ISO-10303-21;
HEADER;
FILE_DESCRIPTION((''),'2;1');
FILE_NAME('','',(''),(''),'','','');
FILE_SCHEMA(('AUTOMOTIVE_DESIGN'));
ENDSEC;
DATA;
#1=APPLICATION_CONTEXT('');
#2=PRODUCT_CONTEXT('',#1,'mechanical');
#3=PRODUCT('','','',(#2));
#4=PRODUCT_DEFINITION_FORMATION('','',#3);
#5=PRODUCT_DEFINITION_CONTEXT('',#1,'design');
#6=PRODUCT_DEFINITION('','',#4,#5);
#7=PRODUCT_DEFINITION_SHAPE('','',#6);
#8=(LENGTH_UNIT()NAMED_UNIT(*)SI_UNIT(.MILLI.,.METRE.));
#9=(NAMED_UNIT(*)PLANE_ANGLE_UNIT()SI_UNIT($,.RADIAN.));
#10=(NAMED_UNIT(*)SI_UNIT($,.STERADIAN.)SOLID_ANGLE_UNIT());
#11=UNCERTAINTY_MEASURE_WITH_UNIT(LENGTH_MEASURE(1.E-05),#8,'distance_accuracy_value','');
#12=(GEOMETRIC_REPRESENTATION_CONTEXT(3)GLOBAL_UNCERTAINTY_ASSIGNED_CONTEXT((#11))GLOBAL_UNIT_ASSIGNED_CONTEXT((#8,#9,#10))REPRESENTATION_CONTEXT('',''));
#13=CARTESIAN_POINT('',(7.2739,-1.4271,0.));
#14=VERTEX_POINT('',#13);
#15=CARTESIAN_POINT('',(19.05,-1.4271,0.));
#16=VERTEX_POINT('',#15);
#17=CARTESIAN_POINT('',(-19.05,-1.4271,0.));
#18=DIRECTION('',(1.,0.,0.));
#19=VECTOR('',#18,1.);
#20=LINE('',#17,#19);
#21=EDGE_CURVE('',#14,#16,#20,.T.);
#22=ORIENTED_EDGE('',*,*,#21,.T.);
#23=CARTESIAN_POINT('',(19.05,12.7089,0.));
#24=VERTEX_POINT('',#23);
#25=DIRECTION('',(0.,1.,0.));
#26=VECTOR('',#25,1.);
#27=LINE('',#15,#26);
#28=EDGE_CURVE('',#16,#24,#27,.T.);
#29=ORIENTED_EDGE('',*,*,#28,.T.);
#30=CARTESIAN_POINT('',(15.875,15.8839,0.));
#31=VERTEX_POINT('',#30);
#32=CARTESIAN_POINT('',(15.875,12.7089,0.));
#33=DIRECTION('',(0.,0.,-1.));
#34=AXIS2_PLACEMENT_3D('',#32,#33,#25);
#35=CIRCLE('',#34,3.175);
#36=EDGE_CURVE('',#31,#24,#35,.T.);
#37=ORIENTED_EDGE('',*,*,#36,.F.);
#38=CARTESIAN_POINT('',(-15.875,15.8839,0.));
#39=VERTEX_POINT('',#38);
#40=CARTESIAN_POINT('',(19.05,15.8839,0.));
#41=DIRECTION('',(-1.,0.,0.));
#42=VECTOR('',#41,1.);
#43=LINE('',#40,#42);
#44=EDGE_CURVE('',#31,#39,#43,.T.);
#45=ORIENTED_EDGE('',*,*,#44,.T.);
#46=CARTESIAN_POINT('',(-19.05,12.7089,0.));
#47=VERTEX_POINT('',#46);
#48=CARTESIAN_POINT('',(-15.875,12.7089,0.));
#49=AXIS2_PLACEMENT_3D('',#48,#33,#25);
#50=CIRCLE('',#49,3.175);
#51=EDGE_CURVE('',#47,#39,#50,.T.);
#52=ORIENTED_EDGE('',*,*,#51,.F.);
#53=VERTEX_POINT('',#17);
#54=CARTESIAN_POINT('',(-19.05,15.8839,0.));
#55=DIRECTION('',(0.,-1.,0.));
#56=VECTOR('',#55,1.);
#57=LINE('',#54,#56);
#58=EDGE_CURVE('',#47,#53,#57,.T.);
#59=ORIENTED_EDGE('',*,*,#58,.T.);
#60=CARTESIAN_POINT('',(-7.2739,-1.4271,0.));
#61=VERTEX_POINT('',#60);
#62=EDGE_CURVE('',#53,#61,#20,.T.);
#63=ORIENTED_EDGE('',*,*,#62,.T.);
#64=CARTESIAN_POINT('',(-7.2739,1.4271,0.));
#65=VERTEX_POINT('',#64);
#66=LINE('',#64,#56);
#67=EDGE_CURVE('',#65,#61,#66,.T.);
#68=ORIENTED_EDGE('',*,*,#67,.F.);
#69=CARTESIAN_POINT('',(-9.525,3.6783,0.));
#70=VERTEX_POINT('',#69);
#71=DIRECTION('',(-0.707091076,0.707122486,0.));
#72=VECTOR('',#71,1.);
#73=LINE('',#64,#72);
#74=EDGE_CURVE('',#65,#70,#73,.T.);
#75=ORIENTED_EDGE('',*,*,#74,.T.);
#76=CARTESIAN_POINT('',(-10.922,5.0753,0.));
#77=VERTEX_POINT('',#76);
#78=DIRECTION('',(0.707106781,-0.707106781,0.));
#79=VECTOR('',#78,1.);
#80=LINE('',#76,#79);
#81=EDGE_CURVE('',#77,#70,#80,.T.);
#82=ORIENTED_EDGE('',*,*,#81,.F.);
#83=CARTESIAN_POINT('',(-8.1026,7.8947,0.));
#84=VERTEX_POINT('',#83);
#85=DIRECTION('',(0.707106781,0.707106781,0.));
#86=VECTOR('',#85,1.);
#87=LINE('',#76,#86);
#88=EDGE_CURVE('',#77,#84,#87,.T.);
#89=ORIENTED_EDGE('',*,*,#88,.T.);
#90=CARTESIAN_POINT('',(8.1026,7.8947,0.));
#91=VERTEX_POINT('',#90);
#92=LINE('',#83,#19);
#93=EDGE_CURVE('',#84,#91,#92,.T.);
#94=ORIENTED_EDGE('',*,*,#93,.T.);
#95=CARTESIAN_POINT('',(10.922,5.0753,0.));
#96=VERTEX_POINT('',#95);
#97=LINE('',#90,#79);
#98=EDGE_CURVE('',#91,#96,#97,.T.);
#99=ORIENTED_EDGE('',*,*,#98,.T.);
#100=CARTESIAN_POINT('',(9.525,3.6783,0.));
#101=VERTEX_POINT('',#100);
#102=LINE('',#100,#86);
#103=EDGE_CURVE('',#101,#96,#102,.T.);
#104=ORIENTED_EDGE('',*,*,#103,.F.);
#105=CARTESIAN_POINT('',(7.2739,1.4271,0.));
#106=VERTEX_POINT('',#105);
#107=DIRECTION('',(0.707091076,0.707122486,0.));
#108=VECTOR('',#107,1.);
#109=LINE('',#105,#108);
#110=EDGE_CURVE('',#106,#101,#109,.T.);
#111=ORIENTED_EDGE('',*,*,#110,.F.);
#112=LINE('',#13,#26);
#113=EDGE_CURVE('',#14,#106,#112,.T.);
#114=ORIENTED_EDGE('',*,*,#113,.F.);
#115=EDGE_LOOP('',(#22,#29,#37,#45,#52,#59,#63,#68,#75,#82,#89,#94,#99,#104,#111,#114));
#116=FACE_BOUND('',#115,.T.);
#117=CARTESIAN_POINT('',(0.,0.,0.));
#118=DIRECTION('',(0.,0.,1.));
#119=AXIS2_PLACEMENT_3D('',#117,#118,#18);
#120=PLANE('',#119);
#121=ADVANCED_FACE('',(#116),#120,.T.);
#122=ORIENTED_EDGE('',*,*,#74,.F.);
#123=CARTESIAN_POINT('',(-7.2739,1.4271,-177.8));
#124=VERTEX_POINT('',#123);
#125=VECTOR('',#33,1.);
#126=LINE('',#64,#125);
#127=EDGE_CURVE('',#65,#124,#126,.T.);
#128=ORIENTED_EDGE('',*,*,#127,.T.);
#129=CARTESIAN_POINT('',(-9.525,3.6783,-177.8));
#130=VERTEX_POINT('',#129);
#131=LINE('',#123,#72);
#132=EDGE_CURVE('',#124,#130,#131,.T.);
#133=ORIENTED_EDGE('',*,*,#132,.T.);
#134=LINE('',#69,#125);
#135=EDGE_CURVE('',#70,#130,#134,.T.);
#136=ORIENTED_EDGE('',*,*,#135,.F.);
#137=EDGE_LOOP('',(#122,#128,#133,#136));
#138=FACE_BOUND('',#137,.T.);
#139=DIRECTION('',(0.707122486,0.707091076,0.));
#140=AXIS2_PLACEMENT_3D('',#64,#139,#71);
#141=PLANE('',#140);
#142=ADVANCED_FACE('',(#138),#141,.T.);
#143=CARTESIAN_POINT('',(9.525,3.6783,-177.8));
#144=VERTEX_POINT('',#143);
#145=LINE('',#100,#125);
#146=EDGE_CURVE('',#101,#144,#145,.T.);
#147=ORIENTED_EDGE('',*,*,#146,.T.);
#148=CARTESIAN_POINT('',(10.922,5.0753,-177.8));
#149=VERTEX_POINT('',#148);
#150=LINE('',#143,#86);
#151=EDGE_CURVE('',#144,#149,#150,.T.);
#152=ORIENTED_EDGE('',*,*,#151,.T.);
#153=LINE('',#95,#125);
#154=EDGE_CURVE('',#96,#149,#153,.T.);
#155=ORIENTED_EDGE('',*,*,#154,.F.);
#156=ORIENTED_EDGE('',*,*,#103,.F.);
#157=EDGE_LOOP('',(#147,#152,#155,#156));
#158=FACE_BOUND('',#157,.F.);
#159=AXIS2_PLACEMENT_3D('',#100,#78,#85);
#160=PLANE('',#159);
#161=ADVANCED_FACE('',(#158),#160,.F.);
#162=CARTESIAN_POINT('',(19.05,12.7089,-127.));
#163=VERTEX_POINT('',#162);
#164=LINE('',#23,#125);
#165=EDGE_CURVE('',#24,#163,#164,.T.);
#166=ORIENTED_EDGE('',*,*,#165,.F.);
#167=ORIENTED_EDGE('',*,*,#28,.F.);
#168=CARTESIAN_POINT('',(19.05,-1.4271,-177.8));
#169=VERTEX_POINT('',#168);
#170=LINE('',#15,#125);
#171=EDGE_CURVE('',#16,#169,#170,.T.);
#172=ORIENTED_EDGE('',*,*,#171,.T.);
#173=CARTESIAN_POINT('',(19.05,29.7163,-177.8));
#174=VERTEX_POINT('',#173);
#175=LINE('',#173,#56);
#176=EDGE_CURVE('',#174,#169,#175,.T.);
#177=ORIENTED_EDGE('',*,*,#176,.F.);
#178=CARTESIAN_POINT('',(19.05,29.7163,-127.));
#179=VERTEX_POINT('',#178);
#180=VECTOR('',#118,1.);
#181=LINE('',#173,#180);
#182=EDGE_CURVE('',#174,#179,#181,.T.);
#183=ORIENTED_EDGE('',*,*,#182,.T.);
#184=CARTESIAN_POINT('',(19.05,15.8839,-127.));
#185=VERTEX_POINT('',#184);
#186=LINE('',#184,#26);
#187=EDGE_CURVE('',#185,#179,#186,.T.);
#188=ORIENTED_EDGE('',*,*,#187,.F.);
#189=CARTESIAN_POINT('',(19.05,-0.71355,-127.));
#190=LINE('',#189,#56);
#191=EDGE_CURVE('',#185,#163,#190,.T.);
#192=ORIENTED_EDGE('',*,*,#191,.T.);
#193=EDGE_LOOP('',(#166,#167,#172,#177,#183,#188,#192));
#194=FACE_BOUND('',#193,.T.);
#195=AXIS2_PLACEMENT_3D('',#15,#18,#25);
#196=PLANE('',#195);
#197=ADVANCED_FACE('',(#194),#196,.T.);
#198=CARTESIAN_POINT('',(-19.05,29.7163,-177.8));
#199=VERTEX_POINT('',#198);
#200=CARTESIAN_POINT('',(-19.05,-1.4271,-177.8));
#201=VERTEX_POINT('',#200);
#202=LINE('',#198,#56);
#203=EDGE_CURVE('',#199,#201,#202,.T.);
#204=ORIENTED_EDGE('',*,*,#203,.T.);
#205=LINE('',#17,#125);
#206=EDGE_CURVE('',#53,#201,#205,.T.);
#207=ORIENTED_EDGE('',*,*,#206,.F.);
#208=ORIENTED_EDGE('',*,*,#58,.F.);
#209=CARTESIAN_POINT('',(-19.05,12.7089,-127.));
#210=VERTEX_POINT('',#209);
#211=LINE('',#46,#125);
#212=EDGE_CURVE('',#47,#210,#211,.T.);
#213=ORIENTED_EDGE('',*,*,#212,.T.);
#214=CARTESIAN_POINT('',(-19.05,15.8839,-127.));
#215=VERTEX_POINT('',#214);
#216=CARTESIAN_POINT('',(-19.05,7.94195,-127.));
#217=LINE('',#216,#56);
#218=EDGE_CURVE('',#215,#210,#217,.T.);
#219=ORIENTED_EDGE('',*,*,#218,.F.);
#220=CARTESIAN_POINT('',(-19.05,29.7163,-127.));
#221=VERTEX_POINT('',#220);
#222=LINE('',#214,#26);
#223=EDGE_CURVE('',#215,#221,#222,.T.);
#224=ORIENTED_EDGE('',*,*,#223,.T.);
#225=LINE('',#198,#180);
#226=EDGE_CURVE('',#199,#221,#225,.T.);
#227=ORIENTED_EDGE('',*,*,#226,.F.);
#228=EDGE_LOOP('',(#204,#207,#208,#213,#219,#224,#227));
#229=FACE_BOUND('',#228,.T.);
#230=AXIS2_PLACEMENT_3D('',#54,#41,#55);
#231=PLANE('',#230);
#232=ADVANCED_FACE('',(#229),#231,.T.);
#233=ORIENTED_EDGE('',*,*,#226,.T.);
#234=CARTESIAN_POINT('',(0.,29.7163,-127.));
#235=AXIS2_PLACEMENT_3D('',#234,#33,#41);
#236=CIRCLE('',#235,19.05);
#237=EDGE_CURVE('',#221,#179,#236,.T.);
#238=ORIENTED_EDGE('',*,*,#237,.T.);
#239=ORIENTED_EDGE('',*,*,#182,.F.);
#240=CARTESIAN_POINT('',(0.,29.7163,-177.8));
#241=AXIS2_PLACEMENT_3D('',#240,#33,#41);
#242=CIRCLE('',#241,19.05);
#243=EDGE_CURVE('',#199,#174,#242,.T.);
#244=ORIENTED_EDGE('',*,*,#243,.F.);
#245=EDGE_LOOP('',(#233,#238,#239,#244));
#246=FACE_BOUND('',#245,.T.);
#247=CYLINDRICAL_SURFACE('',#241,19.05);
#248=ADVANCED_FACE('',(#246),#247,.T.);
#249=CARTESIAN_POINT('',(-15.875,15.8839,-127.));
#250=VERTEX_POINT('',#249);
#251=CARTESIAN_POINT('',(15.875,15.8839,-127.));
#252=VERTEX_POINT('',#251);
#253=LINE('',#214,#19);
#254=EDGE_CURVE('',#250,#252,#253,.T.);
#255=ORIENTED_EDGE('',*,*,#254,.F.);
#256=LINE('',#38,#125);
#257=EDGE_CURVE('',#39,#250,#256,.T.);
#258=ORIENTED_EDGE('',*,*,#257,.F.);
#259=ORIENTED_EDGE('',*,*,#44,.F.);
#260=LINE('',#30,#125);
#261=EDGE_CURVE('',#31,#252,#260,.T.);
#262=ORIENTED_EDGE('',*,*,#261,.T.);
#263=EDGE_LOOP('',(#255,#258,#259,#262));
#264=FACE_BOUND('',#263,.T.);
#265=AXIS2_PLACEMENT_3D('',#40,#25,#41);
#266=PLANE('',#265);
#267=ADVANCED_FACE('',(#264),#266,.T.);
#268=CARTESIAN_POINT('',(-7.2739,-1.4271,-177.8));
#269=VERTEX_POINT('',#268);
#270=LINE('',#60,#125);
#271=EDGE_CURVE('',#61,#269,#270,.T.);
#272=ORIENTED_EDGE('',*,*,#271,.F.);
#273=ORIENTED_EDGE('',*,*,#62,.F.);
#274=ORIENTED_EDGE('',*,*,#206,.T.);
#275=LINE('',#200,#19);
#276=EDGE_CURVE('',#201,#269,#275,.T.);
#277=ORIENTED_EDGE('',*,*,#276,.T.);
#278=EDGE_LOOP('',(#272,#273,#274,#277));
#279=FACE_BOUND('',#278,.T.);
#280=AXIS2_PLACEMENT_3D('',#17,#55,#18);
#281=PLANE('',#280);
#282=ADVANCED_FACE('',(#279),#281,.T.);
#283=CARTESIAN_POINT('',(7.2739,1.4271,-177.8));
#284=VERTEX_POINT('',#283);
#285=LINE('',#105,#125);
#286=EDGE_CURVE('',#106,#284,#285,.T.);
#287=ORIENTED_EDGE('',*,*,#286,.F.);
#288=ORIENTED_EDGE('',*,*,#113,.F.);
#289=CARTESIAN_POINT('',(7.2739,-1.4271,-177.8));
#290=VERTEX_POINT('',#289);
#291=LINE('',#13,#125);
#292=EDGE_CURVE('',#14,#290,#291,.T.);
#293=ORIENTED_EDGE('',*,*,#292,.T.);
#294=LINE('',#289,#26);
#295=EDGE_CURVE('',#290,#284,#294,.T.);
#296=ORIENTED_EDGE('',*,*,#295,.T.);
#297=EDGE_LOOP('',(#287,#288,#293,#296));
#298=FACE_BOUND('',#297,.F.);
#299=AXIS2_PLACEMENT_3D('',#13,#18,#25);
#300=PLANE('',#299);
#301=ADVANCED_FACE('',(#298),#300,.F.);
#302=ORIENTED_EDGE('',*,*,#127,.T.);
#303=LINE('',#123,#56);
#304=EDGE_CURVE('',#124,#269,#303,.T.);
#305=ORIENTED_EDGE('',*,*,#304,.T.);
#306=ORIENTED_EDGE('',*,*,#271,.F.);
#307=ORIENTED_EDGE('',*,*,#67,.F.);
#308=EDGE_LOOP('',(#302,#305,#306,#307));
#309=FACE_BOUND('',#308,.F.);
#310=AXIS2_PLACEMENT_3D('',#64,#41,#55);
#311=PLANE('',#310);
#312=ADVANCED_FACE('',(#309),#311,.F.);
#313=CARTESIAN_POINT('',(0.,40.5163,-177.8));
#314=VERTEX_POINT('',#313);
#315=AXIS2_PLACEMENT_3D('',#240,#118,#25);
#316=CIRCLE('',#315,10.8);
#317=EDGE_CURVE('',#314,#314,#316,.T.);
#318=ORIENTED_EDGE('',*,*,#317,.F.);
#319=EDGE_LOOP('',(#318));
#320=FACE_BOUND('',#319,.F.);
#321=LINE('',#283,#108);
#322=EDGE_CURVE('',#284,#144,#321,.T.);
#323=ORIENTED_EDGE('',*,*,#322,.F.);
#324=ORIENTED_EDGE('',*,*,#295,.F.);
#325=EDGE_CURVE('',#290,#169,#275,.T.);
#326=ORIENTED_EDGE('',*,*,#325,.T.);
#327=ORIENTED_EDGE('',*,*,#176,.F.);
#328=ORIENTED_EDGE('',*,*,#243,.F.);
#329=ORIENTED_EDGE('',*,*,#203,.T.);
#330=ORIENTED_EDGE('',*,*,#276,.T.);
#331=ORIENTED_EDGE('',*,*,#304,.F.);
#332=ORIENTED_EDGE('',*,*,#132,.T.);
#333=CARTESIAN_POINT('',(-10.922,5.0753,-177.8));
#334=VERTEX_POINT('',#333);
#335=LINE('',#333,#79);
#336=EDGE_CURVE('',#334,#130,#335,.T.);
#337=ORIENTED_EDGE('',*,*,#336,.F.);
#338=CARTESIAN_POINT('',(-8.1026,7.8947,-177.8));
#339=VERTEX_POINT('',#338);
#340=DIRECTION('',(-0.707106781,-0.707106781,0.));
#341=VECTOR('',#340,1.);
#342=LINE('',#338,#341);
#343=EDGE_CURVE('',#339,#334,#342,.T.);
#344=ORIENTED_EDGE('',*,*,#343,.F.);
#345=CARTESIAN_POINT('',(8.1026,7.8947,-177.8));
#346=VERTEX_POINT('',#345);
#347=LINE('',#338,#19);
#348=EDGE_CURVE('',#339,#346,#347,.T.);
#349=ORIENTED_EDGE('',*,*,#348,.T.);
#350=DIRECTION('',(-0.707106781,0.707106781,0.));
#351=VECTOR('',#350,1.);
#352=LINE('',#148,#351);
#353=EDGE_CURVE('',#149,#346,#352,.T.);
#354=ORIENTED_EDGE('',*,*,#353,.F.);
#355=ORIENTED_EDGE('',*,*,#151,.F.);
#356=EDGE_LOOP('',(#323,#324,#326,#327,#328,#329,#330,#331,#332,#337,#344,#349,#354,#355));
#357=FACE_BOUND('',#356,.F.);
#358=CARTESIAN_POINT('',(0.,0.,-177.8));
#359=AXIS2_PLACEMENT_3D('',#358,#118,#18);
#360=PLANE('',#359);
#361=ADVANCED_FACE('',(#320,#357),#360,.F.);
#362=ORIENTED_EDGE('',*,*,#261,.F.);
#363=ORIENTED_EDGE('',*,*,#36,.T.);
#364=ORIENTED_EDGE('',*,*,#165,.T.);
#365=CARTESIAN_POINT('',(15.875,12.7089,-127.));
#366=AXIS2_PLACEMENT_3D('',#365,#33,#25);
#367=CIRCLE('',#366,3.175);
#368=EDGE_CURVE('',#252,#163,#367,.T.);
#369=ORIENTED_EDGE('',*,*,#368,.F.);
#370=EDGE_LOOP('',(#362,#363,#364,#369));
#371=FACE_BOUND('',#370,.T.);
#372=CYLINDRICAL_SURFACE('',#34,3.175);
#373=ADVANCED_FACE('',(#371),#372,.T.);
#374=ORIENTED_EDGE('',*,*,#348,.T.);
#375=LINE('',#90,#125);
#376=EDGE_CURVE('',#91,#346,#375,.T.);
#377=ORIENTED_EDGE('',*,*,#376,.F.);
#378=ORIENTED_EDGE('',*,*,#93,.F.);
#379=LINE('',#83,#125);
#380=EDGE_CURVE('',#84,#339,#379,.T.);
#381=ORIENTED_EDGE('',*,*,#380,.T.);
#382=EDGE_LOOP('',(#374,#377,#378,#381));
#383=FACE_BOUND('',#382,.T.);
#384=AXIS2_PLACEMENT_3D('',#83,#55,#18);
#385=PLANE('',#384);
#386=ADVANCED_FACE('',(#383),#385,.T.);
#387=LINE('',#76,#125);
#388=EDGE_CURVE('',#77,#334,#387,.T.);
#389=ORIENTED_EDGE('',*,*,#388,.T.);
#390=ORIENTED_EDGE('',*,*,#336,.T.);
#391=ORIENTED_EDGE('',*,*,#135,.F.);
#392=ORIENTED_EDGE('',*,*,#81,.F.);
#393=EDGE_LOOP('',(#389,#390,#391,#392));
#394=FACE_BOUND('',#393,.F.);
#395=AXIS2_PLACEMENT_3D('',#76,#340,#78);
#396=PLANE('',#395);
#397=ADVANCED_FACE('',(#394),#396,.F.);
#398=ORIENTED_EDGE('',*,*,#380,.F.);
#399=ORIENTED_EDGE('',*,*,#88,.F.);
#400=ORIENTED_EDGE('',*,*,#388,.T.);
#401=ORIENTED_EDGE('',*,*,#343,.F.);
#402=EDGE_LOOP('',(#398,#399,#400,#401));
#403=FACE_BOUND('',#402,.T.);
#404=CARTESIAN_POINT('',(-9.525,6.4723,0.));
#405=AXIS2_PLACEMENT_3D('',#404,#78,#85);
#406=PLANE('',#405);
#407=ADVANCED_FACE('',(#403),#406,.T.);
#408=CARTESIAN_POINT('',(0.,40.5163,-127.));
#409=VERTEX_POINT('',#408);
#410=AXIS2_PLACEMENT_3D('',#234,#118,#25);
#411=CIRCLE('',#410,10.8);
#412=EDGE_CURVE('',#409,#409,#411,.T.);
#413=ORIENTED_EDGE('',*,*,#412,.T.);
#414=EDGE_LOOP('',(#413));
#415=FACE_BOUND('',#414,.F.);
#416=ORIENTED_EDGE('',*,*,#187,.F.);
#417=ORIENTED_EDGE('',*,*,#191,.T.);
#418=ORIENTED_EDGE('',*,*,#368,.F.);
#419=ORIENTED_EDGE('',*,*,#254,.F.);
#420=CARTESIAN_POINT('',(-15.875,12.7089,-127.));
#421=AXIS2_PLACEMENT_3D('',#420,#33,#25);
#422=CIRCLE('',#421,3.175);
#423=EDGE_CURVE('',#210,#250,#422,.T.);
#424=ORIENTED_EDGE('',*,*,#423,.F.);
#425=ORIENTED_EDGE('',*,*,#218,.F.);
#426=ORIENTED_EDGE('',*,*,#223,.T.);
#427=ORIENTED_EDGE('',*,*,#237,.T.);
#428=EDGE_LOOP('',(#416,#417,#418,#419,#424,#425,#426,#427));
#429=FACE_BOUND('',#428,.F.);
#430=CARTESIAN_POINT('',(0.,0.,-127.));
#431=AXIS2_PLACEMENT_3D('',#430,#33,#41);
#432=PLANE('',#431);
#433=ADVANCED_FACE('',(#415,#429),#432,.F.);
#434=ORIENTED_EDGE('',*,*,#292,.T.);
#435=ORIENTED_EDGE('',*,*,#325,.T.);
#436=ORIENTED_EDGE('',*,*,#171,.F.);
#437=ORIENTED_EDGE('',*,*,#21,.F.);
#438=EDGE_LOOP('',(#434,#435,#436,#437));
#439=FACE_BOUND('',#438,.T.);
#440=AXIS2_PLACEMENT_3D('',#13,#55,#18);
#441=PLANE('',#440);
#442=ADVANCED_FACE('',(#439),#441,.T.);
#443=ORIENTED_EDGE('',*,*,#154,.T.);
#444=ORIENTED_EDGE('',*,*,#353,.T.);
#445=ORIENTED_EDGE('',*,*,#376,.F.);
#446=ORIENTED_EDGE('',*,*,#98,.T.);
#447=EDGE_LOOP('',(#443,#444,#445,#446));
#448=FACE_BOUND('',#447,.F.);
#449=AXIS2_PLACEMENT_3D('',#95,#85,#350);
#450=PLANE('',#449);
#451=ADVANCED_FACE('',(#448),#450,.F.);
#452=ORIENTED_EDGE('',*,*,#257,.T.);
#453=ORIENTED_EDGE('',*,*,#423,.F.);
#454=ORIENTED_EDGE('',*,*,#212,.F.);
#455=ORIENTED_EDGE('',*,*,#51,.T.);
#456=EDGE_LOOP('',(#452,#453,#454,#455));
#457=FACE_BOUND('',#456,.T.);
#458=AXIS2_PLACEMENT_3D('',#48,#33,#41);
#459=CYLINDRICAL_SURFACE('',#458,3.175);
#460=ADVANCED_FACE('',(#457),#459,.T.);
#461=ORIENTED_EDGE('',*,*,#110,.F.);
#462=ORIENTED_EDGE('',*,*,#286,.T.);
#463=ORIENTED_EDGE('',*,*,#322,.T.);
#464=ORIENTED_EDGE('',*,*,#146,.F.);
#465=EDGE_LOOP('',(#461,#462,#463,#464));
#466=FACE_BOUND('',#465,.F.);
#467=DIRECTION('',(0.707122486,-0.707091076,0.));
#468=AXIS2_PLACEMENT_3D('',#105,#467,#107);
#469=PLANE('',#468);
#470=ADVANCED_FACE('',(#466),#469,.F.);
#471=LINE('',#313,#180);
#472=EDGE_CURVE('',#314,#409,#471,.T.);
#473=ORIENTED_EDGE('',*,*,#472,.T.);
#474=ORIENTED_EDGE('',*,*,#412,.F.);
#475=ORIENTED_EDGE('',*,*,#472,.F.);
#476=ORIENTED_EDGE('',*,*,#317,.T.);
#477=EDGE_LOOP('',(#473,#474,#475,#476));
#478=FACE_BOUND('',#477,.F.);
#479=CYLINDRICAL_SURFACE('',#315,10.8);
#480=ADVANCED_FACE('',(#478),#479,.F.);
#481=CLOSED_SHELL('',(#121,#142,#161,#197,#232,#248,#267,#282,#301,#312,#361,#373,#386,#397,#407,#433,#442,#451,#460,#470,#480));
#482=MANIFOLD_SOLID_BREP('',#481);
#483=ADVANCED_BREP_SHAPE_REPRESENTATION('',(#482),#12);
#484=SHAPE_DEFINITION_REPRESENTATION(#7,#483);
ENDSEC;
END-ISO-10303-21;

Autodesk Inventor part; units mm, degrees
ref_plane "YZ Plane" through (0, 0, 0) normal (1, 0, 0) x (0, 1, 0)
ref_plane "XZ Plane" through (0, 0, 0) normal (0, 1, 0) x (-1, 0, 0)
ref_plane "XY Plane" through (0, 0, 0) normal (0, 0, 1) x (1, 0, 0)
sketch "Sketch1" plane through (0, 0, 0) normal (0, 0, 1) x (1, 0, 0)
  line L0 (-7.2739, -1.4271) -> (7.2739, -1.4271)
  line L1 (7.2739, -1.4271) -> (7.2739, 1.4271)
  line L2 (7.2739, 1.4271) -> (-7.2739, 1.4271)
  line L3 (-7.2739, 1.4271) -> (-7.2739, -1.4271)
  line L4 (-7.2739, -1.4271) -> (7.2739, 1.4271) construction
  line L5 (7.2739, -1.4271) -> (-7.2739, 1.4271) construction
  line L6 (9.525, 3.6783) -> (-9.525, 3.6783)
  line L7 (-9.525, 3.6783) -> (-9.525, 6.4723)
  line L8 (-9.525, 6.4723) -> (9.525, 6.4723)
  line L9 (9.525, 6.4723) -> (9.525, 3.6783)
  line L10 (9.525, 3.6783) -> (-9.525, 6.4723) construction
  line L11 (-9.525, 3.6783) -> (9.525, 6.4723) construction
  line L12 (-7.2739, 1.4271) -> (-9.525, 3.6783)
  line L13 (7.2739, 1.4271) -> (9.525, 3.6783)
  line L14 (-10.922, 5.0753) -> (-8.1026, 7.8947)
  line L15 (-10.922, 5.0753) -> (-6.9348, 5.0753) construction
  line L16 (-10.922, 5.0753) -> (-9.525, 3.6783)
  line L17 (10.922, 5.0753) -> (8.1026, 7.8947)
  line L18 (9.525, 3.6783) -> (10.922, 5.0753)
  line L19 (-8.1026, 7.8947) -> (8.1026, 7.8947)
  line L20 (-19.05, -1.4271) -> (19.05, -1.4271)
  line L21 (19.05, -1.4271) -> (19.05, 15.8839)
  line L22 (19.05, 15.8839) -> (-19.05, 15.8839)
  line L23 (-19.05, 15.8839) -> (-19.05, -1.4271)
  point P0 (0, 0)
  point P1 (0, 5.0753)
  point P2 (0, -1.4271)
  dimension "d0" = 135
  dimension "d1" = 135
  dimension "d2" = 19.05
  dimension "d3" = 2.794
  dimension "d4" = 45
  dimension "d5" = 4.2164
  dimension "d6" = 90
  dimension "d7" = 90
  dimension "d8" = 9.3218
  dimension "d9" = 38.1
extrude "Extrusion1" add sketch "Sketch1" against normal blind 177.8 contours L20 L23 L22 L21 L1 L13 L18 L17 L19 L14 L16 L12 L3
sketch "Sketch2" plane through (0, 0, -177.8) normal (0, 0, -1) x (-1, 0, 0)
  arc A0 (19.05, 29.7163) -> (-19.05, 29.7163) centre (0, 29.7163) ccw
  line L0 (19.05, -1.4271) -> (19.05, 15.8839) projected
  line L1 (19.05, 15.8839) -> (19.05, -1.4271) projected
  line L2 (19.05, 15.8839) -> (19.05, 29.7163)
  line L3 (-19.05, -1.4271) -> (-19.05, 15.8839) projected
  line L4 (-19.05, 15.8839) -> (-19.05, 29.7163)
  line L5 (19.05, 15.8839) -> (-19.05, 15.8839)
  point P0 (0, 0)
extrude "Extrusion2" add sketch "Sketch2" against normal blind 50.8
sketch "Sketch3" plane through (0, 0, -177.8) normal (0, 0, -1) x (-1, 0, 0)
  arc A0 (19.05, 29.7163) -> (-19.05, 29.7163) centre (0, 29.7163) ccw projected
  point P0 (0, 0)
hole "Hole1" at (0, 29.7163, -177.8) direction (0, 0, 1) diameter 21.6 end through all
fillet "Fillet1" radius 3.175 2 edges at (-19.05, 15.8839, -63.5) (19.05, 15.8839, -63.5)
properties part number "Laser mount 7 inches"
